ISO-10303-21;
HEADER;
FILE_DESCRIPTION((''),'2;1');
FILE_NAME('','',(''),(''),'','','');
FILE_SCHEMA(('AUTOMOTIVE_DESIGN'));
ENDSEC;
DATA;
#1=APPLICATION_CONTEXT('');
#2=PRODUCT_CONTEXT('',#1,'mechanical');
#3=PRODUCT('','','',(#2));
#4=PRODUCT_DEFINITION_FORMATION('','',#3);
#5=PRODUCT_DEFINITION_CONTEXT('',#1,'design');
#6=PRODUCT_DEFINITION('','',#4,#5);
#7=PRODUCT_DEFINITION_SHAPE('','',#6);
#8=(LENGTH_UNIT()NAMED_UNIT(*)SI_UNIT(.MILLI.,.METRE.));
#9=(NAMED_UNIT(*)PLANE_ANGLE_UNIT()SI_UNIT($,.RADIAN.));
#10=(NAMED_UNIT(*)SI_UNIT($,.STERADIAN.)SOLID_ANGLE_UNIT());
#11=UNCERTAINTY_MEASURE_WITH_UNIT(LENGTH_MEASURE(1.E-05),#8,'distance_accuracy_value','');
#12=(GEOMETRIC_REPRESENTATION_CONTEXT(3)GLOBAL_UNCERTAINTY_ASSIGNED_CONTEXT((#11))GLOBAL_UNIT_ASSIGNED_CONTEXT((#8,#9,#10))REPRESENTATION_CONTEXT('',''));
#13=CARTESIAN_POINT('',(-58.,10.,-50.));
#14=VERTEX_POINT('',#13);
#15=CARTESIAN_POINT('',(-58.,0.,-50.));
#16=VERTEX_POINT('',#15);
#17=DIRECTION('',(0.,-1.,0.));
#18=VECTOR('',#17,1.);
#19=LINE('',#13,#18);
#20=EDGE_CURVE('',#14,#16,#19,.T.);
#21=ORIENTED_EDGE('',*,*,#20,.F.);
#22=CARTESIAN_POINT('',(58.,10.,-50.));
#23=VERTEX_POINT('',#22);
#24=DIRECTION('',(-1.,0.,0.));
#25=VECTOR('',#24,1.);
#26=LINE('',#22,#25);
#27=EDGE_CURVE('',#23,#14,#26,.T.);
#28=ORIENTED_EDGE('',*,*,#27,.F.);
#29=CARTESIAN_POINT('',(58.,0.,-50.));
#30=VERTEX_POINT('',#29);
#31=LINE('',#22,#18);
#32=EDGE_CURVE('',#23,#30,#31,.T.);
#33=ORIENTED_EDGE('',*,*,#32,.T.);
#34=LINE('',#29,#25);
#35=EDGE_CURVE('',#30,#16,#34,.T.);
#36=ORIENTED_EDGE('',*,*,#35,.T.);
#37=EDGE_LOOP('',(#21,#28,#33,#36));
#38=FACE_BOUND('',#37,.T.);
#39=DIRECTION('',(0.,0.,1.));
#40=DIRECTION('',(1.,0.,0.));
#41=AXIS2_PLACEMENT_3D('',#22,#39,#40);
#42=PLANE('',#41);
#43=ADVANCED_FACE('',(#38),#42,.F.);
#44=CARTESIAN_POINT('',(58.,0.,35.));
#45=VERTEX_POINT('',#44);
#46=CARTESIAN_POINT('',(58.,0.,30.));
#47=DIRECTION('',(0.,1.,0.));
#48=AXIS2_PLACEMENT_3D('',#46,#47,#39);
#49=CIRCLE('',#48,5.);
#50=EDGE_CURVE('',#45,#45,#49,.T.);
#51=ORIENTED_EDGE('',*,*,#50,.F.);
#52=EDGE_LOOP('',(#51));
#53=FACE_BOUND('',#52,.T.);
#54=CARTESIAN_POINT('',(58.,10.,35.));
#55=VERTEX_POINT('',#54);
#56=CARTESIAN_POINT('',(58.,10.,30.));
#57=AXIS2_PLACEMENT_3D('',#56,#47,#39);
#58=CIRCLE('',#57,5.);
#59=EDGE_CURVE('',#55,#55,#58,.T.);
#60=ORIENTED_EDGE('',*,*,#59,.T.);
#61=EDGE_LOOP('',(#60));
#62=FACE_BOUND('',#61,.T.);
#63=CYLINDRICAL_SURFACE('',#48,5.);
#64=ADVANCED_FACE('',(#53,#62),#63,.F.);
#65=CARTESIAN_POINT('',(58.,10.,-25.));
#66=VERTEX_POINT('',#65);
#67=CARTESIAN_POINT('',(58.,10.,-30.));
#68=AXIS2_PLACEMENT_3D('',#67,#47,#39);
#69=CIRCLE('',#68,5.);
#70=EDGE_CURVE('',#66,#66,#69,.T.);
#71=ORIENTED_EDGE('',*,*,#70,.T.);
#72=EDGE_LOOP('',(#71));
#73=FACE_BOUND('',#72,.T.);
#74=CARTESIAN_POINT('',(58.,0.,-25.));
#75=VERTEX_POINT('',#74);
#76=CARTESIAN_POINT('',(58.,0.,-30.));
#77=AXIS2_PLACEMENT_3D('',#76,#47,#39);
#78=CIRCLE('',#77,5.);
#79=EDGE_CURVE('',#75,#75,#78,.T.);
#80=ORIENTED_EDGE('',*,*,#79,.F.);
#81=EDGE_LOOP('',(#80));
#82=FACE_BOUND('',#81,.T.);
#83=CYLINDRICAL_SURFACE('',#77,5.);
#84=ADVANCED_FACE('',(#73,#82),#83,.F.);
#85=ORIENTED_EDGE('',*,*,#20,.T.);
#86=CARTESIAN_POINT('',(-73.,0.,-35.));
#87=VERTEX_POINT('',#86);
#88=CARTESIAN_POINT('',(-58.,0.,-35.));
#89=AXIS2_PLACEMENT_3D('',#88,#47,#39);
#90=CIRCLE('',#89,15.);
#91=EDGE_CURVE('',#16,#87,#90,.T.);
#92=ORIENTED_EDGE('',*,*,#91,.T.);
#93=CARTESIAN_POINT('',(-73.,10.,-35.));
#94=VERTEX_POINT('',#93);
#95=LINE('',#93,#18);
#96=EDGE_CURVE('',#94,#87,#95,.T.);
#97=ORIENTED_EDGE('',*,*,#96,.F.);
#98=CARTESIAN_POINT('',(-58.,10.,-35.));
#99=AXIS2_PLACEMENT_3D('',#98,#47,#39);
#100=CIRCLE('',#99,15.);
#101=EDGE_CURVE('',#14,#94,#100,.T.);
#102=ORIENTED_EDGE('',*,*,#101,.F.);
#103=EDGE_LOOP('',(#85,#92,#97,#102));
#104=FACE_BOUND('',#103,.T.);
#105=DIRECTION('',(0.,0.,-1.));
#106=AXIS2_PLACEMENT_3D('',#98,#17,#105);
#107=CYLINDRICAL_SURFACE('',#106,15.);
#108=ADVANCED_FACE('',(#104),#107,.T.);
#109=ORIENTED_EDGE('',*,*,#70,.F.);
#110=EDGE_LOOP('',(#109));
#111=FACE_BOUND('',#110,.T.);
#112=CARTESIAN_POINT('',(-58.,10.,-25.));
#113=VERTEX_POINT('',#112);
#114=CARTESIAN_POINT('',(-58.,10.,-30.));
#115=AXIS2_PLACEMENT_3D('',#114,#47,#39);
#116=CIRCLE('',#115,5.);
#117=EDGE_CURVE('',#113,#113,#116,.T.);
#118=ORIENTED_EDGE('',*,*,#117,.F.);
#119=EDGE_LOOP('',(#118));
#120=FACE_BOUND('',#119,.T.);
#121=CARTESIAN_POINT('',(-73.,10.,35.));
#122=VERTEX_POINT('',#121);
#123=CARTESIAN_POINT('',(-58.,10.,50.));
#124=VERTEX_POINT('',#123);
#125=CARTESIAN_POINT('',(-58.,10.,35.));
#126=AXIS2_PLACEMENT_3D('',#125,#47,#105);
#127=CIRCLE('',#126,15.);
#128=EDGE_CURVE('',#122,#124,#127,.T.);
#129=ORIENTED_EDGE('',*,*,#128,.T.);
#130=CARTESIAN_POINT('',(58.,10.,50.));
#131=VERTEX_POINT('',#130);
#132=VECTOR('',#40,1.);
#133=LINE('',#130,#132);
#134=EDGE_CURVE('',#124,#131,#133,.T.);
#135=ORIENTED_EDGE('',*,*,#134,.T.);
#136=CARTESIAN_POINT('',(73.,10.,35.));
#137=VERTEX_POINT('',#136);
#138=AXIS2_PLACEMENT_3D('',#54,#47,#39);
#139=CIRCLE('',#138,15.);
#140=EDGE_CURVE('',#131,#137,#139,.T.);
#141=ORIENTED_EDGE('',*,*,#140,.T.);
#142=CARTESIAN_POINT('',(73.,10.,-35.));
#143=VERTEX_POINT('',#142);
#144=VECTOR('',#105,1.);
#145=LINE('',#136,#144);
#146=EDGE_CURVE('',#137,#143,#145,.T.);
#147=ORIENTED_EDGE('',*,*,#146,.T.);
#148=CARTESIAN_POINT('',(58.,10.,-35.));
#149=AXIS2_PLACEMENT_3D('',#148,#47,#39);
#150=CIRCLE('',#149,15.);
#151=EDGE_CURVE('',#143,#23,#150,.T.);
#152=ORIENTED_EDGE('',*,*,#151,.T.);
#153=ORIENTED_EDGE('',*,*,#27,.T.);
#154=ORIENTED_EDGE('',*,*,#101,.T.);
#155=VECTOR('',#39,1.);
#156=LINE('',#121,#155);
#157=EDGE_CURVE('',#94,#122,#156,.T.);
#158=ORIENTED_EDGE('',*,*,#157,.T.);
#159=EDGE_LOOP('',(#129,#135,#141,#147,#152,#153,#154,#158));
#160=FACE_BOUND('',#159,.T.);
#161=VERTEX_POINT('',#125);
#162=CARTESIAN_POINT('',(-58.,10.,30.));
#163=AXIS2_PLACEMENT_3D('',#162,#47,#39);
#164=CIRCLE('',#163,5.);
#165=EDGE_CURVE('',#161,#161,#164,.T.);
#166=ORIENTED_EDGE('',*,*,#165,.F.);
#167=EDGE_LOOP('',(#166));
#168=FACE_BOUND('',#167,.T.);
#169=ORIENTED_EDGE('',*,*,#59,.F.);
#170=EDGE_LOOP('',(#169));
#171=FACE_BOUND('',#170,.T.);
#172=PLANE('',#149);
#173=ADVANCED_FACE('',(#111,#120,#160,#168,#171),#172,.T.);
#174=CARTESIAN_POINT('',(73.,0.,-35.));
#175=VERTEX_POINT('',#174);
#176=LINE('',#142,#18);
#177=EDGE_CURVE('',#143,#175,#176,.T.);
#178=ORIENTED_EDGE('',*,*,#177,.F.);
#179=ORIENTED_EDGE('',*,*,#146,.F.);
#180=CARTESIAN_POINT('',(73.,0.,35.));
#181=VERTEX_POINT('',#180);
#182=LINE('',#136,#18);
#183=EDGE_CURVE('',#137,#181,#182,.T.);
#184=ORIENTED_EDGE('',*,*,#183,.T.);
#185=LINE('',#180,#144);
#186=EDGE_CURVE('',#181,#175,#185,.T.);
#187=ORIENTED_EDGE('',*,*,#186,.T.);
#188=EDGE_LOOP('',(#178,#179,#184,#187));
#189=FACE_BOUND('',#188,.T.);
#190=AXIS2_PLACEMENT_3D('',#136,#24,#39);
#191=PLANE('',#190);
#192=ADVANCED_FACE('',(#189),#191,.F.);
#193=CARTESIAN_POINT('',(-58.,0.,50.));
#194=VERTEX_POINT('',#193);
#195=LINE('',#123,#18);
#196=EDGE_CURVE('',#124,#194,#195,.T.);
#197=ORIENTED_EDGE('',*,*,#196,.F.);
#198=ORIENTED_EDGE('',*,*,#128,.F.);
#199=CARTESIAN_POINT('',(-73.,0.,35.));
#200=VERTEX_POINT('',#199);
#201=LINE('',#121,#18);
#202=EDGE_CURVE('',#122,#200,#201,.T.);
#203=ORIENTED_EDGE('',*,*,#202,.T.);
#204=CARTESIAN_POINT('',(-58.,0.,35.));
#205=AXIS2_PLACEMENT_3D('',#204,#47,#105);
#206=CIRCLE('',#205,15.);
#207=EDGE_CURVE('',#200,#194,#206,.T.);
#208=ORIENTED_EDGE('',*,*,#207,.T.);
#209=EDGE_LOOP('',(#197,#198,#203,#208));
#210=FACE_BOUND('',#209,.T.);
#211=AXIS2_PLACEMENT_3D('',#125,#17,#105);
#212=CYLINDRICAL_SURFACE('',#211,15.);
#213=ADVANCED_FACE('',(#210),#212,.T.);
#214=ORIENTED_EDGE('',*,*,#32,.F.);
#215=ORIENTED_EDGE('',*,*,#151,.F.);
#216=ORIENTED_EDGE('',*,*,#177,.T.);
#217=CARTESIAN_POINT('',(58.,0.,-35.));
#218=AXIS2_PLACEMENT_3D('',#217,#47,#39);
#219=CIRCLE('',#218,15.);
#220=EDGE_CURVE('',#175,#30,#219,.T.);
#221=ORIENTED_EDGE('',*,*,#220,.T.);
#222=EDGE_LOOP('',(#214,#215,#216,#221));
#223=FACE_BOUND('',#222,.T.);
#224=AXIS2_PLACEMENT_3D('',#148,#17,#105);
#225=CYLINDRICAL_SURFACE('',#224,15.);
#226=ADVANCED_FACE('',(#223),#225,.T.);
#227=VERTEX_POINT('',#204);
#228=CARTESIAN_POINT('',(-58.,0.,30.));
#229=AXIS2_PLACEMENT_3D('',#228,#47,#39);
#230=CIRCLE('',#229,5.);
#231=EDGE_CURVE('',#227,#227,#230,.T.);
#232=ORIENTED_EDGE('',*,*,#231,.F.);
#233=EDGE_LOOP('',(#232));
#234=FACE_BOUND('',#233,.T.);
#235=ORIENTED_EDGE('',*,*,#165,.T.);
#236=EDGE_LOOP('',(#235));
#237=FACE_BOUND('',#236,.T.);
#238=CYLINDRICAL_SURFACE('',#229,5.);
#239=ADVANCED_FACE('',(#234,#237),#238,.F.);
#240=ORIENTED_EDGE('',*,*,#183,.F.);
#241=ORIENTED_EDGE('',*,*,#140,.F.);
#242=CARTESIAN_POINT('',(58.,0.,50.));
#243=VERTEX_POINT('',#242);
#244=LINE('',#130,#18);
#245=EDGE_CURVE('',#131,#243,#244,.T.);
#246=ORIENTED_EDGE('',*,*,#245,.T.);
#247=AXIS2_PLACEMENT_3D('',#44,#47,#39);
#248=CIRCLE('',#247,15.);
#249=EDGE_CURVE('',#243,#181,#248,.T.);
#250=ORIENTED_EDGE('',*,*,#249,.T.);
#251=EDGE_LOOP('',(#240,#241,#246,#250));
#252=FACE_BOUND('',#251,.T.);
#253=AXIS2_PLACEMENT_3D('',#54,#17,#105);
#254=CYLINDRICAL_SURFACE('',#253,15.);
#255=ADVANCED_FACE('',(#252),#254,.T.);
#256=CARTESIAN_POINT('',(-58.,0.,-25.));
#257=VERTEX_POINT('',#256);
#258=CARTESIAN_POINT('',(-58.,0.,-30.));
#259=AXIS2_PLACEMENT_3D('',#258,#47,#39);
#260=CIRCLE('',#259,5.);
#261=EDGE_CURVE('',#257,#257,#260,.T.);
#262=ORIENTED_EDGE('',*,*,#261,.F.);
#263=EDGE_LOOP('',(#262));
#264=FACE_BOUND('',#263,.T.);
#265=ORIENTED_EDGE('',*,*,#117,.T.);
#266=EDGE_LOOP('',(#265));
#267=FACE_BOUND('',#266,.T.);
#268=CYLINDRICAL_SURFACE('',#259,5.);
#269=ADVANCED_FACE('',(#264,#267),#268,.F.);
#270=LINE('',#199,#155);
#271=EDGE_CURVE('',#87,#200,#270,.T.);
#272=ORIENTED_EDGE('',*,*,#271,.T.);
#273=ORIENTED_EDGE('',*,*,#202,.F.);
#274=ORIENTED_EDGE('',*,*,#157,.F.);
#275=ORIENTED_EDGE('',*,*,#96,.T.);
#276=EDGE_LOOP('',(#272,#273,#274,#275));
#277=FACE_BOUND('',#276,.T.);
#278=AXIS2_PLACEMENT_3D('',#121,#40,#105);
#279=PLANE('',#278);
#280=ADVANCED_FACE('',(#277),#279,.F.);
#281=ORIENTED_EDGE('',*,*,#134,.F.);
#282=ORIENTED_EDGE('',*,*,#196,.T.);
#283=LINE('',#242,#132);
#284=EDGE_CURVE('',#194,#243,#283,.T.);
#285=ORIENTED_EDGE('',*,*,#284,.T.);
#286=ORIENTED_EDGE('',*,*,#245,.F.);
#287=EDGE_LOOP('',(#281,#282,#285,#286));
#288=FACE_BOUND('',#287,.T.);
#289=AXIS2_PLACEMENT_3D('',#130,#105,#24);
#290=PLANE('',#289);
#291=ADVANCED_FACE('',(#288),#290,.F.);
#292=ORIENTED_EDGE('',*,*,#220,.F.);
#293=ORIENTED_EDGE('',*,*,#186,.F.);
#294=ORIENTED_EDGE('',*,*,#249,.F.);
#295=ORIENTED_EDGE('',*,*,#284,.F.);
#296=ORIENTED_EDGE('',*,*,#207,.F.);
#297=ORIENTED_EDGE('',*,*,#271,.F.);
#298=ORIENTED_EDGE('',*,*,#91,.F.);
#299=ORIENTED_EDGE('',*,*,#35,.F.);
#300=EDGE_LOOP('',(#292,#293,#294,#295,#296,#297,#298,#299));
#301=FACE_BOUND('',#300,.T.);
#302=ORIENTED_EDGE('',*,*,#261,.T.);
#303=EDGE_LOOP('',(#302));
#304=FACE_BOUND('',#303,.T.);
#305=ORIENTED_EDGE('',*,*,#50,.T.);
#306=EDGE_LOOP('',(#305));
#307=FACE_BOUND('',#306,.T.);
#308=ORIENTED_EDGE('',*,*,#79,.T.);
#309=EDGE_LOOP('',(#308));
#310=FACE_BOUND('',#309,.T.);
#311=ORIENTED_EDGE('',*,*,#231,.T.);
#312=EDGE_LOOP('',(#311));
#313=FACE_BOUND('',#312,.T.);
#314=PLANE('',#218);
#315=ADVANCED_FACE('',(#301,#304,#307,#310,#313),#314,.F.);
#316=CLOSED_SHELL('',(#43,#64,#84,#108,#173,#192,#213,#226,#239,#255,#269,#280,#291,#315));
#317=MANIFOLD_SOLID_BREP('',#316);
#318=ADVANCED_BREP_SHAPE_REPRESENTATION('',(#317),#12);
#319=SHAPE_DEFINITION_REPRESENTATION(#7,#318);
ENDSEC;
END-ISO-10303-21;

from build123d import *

# Parameters (mm, degrees)
SALIENTE_EXTRUIR1_DEPTH  = 10
CROQUIS2_R               = 5
CORTAR_EXTRUIR1_DEPTH    = 10
MATRIZL1_COUNT           = 3
MATRIZL1_PITCH           = 116
MATRIZL2_COUNT           = 3
MATRIZL2_PITCH           = 60
MATRIZL2_COPY_1_SKETCH_R = 5
MATRIZL2_COPY_1_DEPTH    = 10
MATRIZL2_COPY_2_SKETCH_R = 5
MATRIZL2_COPY_2_DEPTH    = 10
MATRIZL2_COPY_3_SKETCH_R = 5
MATRIZL2_COPY_3_DEPTH    = 10
MATRIZL2_COPY_4_SKETCH_R = 5
MATRIZL2_COPY_4_DEPTH    = 10


with BuildPart() as part:
    # Croquis1 → Saliente-Extruir1 (new body)
    with BuildSketch(Plane(origin=(0, 0, 0), x_dir=(1, 0, 0), z_dir=(0, 1, 0))):
        with BuildLine():
            Line((58, -50), (-58, -50))
            ThreePointArc((-58, -50), (-68.606601718, -45.606601718), (-73, -35))
            Line((-73, -35), (-73, 35))
            ThreePointArc((-73, 35), (-68.606601718, 45.606601718), (-58, 50))
            Line((-58, 50), (58, 50))
            ThreePointArc((58, 50), (68.606601718, 45.606601718), (73, 35))
            Line((73, 35), (73, -35))
            ThreePointArc((73, -35), (68.606601718, -45.606601718), (58, -50))
        make_face()
    extrude(amount=SALIENTE_EXTRUIR1_DEPTH)

    # Croquis2 → Cortar-Extruir1 (cut)
    with BuildSketch(Plane(origin=(0, 10, 0), x_dir=(1, 0, 0), z_dir=(0, 1, 0))):
        with Locations(Location((-58, 30, 0), (0, 0, 270))):
            Circle(CROQUIS2_R)
    cortar_extruir1 = extrude(amount=-CORTAR_EXTRUIR1_DEPTH, mode=Mode.SUBTRACT)

    # MatrizL1: Cortar-Extruir1 ×3
    with Locations(*[(i * MATRIZL1_PITCH, 0, 0) for i in range(1, MATRIZL1_COUNT)]):
        add(cortar_extruir1, mode=Mode.SUBTRACT)

    # MatrizL2: Cortar-Extruir1 ×3
    with Locations(*[(0, 0, i * MATRIZL2_PITCH) for i in range(1, MATRIZL2_COUNT)]):
        add(cortar_extruir1, mode=Mode.SUBTRACT)

    # MatrizL2 copy 1 sketch → MatrizL2 copy 1 (cut)
    with BuildSketch(Plane(origin=(116, 10, 60), x_dir=(1, 0, 0), z_dir=(0, 1, 0))):
        with Locations(Location((-58, 30, 0), (0, 0, 270))):
            Circle(MATRIZL2_COPY_1_SKETCH_R)
    extrude(amount=-MATRIZL2_COPY_1_DEPTH, mode=Mode.SUBTRACT)

    # MatrizL2 copy 2 sketch → MatrizL2 copy 2 (cut)
    with BuildSketch(Plane(origin=(116, 10, 120), x_dir=(1, 0, 0), z_dir=(0, 1, 0))):
        with Locations(Location((-58, 30, 0), (0, 0, 270))):
            Circle(MATRIZL2_COPY_2_SKETCH_R)
    extrude(amount=-MATRIZL2_COPY_2_DEPTH, mode=Mode.SUBTRACT)

    # MatrizL2 copy 3 sketch → MatrizL2 copy 3 (cut)
    with BuildSketch(Plane(origin=(232, 10, 60), x_dir=(1, 0, 0), z_dir=(0, 1, 0))):
        with Locations(Location((-58, 30, 0), (0, 0, 270))):
            Circle(MATRIZL2_COPY_3_SKETCH_R)
    extrude(amount=-MATRIZL2_COPY_3_DEPTH, mode=Mode.SUBTRACT)

    # MatrizL2 copy 4 sketch → MatrizL2 copy 4 (cut)
    with BuildSketch(Plane(origin=(232, 10, 120), x_dir=(1, 0, 0), z_dir=(0, 1, 0))):
        with Locations(Location((-58, 30, 0), (0, 0, 270))):
            Circle(MATRIZL2_COPY_4_SKETCH_R)
    extrude(amount=-MATRIZL2_COPY_4_DEPTH, mode=Mode.SUBTRACT)


solid = part.part
